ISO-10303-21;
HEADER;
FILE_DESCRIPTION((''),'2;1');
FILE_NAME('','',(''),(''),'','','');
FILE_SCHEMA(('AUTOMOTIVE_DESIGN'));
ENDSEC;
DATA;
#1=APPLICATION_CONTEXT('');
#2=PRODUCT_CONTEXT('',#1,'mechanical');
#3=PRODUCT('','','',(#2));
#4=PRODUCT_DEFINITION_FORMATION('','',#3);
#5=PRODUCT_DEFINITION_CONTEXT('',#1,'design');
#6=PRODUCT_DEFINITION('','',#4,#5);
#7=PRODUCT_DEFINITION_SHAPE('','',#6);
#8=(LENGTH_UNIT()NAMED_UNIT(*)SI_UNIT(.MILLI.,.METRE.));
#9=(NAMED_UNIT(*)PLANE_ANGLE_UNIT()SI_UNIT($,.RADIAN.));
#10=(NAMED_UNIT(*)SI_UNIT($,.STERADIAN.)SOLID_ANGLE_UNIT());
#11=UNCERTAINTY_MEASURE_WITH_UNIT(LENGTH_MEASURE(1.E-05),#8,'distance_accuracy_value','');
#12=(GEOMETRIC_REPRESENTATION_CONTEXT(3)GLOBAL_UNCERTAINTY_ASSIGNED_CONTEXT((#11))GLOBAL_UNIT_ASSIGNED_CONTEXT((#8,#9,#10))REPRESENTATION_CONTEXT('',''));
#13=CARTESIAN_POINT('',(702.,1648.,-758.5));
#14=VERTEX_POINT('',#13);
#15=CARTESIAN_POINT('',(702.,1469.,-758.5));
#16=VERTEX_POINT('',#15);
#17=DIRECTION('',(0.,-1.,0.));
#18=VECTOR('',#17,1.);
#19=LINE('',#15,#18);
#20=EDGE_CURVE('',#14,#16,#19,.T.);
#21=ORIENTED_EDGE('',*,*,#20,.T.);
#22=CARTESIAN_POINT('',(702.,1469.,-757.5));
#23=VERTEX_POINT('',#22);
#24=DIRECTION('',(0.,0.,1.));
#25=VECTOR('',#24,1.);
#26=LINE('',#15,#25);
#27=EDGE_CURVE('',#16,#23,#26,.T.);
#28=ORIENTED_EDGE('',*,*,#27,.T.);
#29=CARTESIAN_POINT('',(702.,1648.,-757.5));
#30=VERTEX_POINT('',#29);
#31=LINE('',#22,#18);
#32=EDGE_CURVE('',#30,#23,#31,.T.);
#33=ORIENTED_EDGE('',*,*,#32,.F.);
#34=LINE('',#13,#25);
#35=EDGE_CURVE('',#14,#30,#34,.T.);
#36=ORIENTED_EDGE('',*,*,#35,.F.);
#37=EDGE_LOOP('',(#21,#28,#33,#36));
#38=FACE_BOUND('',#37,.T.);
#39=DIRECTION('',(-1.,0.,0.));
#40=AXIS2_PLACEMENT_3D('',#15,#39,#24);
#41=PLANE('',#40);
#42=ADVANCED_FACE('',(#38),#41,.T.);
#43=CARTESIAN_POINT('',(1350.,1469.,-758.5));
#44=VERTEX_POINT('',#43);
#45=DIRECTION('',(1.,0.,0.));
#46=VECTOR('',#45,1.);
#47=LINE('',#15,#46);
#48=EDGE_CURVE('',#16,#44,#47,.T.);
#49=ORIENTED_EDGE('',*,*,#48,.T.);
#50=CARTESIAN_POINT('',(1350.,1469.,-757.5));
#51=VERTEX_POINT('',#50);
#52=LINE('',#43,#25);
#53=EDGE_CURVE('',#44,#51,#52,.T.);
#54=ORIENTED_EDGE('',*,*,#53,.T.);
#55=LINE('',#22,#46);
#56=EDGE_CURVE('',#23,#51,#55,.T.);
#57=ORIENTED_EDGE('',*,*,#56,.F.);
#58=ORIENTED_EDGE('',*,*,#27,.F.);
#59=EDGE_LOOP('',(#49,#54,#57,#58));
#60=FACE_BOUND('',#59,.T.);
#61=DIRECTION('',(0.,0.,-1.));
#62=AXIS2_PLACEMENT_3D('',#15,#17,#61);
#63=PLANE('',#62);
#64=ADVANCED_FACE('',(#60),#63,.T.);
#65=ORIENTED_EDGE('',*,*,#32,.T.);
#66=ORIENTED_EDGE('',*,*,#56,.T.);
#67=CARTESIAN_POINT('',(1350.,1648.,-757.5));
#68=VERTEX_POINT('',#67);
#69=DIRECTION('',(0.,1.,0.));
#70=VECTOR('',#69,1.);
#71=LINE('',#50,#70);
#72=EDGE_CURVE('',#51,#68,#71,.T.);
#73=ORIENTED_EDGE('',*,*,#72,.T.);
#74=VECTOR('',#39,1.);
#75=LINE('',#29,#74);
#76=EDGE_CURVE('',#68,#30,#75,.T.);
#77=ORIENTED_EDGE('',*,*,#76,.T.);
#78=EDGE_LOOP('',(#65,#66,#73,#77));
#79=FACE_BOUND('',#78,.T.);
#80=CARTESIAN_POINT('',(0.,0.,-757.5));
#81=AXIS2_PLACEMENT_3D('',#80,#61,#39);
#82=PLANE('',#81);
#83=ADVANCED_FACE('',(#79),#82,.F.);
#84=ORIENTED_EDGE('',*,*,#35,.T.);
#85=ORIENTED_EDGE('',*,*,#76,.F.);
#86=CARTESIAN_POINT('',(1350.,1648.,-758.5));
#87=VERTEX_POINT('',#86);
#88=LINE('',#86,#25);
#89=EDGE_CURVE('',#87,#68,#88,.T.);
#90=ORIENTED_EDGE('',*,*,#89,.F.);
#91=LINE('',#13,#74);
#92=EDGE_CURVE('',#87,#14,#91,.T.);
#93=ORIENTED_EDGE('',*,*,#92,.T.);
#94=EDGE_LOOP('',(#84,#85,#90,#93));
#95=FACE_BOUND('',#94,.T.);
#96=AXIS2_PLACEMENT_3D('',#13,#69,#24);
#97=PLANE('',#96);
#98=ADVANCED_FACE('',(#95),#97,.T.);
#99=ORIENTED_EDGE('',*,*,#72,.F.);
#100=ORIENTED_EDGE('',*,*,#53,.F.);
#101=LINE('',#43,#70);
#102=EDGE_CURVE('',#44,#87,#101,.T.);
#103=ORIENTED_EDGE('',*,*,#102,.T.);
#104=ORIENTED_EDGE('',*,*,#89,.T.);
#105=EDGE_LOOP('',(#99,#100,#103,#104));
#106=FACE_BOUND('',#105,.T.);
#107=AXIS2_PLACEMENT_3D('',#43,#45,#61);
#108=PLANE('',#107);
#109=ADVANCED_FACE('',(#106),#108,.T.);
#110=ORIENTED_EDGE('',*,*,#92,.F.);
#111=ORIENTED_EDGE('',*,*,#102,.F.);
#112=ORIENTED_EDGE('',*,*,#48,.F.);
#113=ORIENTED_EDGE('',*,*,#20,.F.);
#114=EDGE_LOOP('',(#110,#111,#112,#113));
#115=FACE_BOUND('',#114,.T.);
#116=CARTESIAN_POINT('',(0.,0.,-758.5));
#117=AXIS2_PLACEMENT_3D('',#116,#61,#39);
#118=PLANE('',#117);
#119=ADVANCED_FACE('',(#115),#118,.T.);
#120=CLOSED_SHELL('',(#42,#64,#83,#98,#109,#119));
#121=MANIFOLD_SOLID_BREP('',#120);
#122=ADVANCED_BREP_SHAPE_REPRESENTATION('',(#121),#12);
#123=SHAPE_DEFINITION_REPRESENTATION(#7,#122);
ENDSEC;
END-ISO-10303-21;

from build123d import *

# Parameters (mm, degrees)
DET_ARKA_IC_SAC_1_START = -757.5
SKETCH1_W               = 648
SKETCH1_H               = 179
DET_ARKA_IC_SAC_1_DEPTH = 1


with BuildPart() as part:
    # Sketch1 → DET_arka_ic_sac_1 (new body)
    with BuildSketch(Plane.XY.offset(DET_ARKA_IC_SAC_1_START)):
        with Locations((1026, 1558.5)):
            Rectangle(SKETCH1_W, SKETCH1_H)
    extrude(amount=-DET_ARKA_IC_SAC_1_DEPTH)


solid = part.part
